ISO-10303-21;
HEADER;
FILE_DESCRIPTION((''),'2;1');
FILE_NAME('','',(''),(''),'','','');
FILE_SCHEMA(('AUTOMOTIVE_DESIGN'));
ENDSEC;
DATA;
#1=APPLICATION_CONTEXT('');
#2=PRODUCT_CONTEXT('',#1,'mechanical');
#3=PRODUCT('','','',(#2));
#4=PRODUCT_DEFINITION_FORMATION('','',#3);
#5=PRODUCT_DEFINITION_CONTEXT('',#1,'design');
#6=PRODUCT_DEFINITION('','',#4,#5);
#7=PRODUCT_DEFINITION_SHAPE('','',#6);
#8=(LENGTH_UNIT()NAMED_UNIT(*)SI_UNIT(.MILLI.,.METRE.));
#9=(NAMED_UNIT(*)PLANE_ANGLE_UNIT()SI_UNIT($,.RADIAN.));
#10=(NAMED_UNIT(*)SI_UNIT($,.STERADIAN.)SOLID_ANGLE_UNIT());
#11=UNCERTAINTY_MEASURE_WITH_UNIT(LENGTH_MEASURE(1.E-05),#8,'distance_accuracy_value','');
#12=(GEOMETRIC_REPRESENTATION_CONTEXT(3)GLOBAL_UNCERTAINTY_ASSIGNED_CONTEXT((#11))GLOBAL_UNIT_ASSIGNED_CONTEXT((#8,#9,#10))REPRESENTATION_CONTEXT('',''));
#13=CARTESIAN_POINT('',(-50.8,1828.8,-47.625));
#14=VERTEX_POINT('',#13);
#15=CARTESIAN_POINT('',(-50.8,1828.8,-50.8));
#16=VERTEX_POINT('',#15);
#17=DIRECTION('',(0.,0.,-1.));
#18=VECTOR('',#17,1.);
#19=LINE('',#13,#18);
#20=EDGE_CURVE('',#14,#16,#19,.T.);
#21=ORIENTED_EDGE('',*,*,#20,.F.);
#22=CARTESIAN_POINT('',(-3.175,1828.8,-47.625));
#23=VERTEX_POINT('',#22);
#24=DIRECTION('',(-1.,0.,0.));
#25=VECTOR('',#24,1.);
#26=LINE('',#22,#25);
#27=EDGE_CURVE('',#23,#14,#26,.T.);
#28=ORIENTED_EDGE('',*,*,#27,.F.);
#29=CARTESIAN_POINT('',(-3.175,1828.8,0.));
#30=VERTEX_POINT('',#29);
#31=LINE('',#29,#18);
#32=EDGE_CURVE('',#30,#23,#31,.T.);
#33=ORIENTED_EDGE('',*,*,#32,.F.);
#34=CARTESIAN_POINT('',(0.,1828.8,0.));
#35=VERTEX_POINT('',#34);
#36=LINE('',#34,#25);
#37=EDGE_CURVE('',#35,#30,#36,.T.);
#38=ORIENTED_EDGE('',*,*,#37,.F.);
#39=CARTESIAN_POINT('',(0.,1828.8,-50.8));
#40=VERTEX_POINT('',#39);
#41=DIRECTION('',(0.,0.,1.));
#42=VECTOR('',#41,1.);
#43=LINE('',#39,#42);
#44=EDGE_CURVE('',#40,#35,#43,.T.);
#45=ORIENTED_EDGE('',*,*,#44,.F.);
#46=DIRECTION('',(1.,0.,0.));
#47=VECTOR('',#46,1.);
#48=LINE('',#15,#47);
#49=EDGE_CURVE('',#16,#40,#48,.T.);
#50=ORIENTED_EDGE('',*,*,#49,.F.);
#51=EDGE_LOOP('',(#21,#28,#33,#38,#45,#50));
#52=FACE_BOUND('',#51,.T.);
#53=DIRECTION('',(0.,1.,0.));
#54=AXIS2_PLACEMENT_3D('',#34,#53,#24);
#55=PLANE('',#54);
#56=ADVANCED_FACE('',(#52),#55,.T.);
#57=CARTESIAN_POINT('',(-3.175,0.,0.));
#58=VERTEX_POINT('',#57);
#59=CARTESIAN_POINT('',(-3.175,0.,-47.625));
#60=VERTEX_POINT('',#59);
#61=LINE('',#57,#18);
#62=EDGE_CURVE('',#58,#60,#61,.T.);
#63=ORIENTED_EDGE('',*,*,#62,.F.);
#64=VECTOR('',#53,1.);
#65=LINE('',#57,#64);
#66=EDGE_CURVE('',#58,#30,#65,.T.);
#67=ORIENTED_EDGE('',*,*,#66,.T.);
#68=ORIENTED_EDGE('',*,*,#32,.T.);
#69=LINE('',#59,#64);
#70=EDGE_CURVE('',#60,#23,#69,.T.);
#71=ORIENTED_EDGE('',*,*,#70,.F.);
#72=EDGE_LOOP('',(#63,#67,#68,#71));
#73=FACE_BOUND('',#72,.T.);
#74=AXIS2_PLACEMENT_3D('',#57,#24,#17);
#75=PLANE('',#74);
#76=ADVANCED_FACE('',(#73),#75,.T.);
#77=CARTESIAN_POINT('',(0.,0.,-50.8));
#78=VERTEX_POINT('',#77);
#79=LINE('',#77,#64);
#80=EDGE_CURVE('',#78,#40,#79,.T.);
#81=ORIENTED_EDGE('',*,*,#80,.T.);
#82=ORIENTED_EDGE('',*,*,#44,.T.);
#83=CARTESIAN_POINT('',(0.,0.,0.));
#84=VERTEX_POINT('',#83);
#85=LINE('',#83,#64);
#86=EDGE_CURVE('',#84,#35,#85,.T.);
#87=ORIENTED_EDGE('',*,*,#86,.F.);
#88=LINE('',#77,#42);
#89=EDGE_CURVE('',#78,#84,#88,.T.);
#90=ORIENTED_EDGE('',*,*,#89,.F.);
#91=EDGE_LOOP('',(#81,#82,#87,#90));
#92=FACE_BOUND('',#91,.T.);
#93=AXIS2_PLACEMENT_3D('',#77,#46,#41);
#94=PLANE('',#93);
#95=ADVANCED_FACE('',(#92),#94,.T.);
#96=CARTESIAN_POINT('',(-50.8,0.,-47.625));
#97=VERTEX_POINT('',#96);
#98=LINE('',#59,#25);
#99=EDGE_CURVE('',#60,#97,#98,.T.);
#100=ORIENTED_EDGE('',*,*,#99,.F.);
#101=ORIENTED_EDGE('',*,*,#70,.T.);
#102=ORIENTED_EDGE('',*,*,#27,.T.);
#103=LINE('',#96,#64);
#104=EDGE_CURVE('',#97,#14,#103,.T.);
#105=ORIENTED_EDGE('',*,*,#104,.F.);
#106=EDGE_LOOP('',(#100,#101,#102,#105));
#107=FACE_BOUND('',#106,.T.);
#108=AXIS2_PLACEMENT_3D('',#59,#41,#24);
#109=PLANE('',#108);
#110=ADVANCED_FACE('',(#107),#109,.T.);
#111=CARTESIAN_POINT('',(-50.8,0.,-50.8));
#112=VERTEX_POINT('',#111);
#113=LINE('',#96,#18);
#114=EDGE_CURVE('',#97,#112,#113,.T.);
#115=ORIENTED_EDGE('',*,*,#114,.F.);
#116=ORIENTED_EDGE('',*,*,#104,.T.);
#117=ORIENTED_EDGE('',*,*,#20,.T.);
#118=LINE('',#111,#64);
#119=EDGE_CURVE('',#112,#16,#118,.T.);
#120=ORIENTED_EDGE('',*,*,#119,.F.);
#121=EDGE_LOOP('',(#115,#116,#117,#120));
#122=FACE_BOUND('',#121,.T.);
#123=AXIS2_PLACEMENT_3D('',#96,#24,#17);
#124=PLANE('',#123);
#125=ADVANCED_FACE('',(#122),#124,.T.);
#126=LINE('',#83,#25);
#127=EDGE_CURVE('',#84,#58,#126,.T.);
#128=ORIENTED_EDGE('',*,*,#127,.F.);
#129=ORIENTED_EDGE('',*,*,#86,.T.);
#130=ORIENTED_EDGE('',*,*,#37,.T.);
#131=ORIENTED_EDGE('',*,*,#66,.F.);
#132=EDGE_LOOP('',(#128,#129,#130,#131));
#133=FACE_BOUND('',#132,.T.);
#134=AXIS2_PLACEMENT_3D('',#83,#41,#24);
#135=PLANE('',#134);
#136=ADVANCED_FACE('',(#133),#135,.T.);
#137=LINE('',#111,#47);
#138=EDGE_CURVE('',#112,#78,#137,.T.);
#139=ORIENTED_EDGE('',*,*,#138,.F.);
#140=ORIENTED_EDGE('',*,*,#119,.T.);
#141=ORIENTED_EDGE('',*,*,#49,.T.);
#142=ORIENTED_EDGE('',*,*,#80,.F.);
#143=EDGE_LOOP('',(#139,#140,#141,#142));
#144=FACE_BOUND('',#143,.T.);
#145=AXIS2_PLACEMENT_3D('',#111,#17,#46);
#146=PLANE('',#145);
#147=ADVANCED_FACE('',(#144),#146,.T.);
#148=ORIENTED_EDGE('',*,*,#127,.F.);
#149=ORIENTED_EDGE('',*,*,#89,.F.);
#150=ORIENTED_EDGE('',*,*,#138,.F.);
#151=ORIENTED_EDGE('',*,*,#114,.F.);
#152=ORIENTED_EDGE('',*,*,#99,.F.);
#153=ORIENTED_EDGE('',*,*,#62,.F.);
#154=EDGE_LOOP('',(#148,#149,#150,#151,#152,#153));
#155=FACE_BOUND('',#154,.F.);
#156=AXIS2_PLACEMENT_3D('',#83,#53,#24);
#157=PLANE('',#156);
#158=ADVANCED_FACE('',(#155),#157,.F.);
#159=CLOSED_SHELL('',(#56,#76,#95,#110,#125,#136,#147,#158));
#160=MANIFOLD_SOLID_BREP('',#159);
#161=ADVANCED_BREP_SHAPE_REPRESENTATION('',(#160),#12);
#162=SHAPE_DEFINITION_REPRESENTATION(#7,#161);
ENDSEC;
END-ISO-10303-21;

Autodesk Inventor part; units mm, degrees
ref_plane "YZ Plane" through (0, 0, 0) normal (1, 0, 0) x (0, 1, 0)
ref_plane "XZ Plane" through (0, 0, 0) normal (0, 1, 0) x (-1, 0, 0)
ref_plane "XY Plane" through (0, 0, 0) normal (0, 0, 1) x (1, 0, 0)
sketch "Sketch1" plane through (0, 0, 0) normal (0, 1, 0) x (-1, 0, 0)
  line L0 (0, 0) -> (3.175, 0)
  line L1 (3.175, 0) -> (3.175, -47.625)
  line L2 (3.175, -47.625) -> (50.8, -47.625)
  line L3 (50.8, -47.625) -> (50.8, -50.8)
  line L4 (50.8, -50.8) -> (0, -50.8)
  line L5 (0, -50.8) -> (0, 0)
  dimension "d0" = 3.175
  dimension "d1" = 47.625
  dimension "d2" = 47.625
  dimension "d3" = 3.175
  dimension "d4" = 50.8
  dimension "d5" = 50.8
extrude "Extrusion1" add sketch "Sketch1" along normal blind 1828.8
properties part number "L-Frame" material "Aluminum 6061"
